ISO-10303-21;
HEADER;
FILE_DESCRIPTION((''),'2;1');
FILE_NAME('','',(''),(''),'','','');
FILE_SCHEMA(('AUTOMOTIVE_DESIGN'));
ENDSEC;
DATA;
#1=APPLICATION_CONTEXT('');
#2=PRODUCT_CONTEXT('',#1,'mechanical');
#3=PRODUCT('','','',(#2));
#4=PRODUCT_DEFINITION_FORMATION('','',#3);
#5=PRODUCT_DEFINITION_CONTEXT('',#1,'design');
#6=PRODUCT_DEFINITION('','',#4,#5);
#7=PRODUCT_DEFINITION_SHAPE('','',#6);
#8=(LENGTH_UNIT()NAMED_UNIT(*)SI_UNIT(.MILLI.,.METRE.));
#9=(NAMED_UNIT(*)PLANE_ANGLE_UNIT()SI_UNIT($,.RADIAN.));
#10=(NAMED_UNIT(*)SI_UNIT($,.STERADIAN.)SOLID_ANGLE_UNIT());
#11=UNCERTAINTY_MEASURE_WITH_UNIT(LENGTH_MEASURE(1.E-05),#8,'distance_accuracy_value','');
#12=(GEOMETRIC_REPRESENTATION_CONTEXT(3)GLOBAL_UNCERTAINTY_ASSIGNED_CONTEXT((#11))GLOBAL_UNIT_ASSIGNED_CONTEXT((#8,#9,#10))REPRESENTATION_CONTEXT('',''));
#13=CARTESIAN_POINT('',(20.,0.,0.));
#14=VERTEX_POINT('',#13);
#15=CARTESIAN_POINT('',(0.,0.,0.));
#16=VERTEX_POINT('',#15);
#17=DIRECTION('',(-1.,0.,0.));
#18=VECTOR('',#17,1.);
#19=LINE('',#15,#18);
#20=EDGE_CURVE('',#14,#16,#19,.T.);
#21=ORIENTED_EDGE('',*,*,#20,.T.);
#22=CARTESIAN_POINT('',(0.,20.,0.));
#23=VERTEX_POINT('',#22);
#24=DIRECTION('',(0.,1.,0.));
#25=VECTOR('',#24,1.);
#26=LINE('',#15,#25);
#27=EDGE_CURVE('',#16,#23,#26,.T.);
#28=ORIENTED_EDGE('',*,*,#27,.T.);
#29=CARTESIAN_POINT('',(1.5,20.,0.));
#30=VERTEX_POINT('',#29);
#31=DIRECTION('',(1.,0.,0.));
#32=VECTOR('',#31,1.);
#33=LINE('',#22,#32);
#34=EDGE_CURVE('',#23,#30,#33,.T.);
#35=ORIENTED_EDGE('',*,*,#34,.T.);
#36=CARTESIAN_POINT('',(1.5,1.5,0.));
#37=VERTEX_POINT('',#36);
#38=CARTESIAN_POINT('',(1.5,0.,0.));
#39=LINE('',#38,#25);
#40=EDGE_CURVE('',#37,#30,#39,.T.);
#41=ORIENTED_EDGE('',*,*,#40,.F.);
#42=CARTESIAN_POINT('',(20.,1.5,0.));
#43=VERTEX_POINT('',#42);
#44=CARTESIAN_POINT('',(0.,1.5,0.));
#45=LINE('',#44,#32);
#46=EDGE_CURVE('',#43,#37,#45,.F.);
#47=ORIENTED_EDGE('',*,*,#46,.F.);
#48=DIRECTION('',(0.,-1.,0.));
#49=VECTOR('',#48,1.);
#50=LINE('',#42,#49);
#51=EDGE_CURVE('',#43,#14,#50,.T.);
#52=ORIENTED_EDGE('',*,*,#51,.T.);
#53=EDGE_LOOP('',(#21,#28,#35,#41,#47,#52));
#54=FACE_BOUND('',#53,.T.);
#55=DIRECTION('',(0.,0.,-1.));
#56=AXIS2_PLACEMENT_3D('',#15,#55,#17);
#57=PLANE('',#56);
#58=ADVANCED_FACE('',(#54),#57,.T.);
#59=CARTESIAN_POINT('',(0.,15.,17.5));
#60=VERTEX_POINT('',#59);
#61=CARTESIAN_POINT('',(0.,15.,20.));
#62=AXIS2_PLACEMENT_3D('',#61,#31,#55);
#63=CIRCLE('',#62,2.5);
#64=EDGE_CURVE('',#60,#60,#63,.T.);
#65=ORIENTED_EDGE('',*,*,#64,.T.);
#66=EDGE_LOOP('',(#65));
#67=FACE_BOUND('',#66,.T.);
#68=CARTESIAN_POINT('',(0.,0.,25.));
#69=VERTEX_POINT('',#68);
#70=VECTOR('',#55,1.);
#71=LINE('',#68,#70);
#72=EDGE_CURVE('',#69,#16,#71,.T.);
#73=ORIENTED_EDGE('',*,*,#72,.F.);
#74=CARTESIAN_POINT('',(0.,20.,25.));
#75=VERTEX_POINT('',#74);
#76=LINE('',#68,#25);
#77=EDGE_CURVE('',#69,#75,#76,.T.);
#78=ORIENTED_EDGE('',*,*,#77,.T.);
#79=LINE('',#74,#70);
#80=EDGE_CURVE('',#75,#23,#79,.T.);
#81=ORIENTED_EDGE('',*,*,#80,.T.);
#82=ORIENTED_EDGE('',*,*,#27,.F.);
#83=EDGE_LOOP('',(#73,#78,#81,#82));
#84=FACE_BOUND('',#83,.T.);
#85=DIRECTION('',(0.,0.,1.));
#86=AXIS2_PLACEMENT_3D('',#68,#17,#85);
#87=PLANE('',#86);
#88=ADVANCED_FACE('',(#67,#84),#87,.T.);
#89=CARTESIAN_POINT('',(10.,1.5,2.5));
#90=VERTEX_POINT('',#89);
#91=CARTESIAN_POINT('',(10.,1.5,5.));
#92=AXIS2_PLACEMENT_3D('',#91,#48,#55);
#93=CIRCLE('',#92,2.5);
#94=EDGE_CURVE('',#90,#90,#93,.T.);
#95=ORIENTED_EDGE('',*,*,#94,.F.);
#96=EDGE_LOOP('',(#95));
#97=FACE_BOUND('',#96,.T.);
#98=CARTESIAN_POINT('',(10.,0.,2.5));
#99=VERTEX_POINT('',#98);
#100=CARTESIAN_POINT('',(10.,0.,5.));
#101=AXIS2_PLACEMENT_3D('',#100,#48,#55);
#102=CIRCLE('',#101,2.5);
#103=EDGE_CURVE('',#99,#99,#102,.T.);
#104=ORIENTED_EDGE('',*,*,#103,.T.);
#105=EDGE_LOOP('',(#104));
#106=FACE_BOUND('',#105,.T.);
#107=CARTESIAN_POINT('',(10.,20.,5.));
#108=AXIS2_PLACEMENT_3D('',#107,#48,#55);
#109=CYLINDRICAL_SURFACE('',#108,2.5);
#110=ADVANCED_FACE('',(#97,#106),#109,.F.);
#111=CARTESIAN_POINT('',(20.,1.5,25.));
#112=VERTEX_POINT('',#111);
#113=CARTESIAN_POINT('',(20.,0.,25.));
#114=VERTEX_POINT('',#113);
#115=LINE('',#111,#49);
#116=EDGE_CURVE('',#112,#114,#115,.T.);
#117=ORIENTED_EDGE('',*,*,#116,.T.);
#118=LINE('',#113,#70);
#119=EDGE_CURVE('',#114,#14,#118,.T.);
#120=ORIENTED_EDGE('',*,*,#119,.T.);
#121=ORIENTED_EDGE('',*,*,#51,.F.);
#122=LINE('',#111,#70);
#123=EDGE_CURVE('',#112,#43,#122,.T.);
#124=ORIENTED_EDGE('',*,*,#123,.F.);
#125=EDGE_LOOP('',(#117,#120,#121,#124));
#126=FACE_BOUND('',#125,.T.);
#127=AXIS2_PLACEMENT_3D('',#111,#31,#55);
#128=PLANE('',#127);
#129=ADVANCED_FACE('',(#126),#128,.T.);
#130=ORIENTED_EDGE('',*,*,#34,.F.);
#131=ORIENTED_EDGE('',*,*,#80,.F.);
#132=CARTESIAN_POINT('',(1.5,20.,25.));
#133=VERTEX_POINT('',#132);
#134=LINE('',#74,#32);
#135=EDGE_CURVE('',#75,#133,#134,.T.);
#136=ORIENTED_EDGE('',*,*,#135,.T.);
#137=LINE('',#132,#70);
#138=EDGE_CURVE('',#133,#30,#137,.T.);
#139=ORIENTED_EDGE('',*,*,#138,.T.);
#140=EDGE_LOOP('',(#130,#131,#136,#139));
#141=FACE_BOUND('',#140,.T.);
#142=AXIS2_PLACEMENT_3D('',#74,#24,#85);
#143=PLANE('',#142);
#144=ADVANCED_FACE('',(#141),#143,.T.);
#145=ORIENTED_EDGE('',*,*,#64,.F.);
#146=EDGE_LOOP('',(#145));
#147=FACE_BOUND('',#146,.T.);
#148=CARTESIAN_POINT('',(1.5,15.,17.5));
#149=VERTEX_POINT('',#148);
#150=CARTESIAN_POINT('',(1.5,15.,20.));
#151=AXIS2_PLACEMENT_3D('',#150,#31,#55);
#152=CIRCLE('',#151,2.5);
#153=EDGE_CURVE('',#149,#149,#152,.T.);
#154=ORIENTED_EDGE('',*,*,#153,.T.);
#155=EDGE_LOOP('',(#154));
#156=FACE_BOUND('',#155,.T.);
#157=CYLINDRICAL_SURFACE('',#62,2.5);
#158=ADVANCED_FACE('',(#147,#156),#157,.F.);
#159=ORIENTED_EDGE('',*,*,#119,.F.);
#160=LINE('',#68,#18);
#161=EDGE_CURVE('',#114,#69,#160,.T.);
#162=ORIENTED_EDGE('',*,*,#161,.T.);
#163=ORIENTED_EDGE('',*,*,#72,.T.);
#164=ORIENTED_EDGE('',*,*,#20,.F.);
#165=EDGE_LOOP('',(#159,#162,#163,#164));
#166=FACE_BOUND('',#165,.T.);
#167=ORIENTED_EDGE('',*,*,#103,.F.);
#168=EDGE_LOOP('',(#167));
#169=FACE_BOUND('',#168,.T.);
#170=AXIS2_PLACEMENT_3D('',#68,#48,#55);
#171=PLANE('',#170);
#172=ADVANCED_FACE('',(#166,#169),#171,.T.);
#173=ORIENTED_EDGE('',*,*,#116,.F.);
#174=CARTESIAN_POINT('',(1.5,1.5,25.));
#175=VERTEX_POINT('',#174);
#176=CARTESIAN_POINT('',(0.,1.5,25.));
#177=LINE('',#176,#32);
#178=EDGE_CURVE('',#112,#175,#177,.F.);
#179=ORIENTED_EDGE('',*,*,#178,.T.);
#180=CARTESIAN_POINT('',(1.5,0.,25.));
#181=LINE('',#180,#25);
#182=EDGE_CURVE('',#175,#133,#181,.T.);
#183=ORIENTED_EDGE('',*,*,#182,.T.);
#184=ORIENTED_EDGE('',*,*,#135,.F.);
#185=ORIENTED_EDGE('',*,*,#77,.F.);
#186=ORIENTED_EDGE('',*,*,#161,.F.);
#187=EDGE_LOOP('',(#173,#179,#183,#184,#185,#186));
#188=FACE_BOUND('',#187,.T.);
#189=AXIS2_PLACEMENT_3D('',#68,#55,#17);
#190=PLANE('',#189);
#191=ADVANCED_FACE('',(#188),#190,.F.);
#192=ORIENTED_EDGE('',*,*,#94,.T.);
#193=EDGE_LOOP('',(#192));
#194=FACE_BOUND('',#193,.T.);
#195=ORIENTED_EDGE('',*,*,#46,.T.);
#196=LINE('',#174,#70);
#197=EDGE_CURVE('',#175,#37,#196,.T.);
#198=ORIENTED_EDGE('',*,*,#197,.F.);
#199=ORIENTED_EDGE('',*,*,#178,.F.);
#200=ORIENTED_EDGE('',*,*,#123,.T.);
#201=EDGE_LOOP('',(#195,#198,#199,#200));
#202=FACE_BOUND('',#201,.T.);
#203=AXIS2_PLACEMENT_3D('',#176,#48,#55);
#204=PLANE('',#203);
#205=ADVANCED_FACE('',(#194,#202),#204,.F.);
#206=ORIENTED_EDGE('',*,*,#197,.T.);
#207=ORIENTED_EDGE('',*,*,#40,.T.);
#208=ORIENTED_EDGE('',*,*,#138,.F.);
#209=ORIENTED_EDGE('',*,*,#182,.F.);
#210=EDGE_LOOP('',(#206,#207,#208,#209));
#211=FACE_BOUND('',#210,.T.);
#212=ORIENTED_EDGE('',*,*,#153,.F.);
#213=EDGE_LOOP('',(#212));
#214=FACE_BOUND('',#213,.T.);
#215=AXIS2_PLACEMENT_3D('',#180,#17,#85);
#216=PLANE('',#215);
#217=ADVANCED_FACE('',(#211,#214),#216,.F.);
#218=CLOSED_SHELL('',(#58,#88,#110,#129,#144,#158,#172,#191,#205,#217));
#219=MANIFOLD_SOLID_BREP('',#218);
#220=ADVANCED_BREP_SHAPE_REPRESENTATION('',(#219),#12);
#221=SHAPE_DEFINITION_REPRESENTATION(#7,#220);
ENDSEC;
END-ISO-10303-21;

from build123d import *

# Parameters (mm, degrees)
EXTRUDE_THIN1_DEPTH = 25
SKETCH2_R           = 2.5
CUT_EXTRUDE1_DEPTH  = 21
SKETCH3_R           = 2.5
CUT_EXTRUDE2_DEPTH  = 2.5


with BuildPart() as part:
    # Sketch1 → Extrude-Thin1 (new body)
    with BuildSketch(Plane.XY):
        Polygon((0, 20), (0, 0), (20, 0), (20, 1.5), (1.5, 1.5), (1.5, 20), align=None)
    extrude(amount=EXTRUDE_THIN1_DEPTH)

    # Sketch2 → Cut-Extrude1 (cut, through all)
    with BuildSketch(Plane(origin=(0, 0, 0), x_dir=(-1, 0, 0), z_dir=(0, -1, 0))):
        with Locations((-10, -5)):
            Circle(SKETCH2_R)
    extrude(amount=-CUT_EXTRUDE1_DEPTH, mode=Mode.SUBTRACT)

    # Sketch3 → Cut-Extrude2 (cut, through all)
    with BuildSketch(Plane(origin=(1.5, 0, 0), x_dir=(0, 0, -1), z_dir=(1, 0, 0))):
        with Locations((-20, 15)):
            Circle(SKETCH3_R)
    extrude(amount=-CUT_EXTRUDE2_DEPTH, mode=Mode.SUBTRACT)


solid = part.part
